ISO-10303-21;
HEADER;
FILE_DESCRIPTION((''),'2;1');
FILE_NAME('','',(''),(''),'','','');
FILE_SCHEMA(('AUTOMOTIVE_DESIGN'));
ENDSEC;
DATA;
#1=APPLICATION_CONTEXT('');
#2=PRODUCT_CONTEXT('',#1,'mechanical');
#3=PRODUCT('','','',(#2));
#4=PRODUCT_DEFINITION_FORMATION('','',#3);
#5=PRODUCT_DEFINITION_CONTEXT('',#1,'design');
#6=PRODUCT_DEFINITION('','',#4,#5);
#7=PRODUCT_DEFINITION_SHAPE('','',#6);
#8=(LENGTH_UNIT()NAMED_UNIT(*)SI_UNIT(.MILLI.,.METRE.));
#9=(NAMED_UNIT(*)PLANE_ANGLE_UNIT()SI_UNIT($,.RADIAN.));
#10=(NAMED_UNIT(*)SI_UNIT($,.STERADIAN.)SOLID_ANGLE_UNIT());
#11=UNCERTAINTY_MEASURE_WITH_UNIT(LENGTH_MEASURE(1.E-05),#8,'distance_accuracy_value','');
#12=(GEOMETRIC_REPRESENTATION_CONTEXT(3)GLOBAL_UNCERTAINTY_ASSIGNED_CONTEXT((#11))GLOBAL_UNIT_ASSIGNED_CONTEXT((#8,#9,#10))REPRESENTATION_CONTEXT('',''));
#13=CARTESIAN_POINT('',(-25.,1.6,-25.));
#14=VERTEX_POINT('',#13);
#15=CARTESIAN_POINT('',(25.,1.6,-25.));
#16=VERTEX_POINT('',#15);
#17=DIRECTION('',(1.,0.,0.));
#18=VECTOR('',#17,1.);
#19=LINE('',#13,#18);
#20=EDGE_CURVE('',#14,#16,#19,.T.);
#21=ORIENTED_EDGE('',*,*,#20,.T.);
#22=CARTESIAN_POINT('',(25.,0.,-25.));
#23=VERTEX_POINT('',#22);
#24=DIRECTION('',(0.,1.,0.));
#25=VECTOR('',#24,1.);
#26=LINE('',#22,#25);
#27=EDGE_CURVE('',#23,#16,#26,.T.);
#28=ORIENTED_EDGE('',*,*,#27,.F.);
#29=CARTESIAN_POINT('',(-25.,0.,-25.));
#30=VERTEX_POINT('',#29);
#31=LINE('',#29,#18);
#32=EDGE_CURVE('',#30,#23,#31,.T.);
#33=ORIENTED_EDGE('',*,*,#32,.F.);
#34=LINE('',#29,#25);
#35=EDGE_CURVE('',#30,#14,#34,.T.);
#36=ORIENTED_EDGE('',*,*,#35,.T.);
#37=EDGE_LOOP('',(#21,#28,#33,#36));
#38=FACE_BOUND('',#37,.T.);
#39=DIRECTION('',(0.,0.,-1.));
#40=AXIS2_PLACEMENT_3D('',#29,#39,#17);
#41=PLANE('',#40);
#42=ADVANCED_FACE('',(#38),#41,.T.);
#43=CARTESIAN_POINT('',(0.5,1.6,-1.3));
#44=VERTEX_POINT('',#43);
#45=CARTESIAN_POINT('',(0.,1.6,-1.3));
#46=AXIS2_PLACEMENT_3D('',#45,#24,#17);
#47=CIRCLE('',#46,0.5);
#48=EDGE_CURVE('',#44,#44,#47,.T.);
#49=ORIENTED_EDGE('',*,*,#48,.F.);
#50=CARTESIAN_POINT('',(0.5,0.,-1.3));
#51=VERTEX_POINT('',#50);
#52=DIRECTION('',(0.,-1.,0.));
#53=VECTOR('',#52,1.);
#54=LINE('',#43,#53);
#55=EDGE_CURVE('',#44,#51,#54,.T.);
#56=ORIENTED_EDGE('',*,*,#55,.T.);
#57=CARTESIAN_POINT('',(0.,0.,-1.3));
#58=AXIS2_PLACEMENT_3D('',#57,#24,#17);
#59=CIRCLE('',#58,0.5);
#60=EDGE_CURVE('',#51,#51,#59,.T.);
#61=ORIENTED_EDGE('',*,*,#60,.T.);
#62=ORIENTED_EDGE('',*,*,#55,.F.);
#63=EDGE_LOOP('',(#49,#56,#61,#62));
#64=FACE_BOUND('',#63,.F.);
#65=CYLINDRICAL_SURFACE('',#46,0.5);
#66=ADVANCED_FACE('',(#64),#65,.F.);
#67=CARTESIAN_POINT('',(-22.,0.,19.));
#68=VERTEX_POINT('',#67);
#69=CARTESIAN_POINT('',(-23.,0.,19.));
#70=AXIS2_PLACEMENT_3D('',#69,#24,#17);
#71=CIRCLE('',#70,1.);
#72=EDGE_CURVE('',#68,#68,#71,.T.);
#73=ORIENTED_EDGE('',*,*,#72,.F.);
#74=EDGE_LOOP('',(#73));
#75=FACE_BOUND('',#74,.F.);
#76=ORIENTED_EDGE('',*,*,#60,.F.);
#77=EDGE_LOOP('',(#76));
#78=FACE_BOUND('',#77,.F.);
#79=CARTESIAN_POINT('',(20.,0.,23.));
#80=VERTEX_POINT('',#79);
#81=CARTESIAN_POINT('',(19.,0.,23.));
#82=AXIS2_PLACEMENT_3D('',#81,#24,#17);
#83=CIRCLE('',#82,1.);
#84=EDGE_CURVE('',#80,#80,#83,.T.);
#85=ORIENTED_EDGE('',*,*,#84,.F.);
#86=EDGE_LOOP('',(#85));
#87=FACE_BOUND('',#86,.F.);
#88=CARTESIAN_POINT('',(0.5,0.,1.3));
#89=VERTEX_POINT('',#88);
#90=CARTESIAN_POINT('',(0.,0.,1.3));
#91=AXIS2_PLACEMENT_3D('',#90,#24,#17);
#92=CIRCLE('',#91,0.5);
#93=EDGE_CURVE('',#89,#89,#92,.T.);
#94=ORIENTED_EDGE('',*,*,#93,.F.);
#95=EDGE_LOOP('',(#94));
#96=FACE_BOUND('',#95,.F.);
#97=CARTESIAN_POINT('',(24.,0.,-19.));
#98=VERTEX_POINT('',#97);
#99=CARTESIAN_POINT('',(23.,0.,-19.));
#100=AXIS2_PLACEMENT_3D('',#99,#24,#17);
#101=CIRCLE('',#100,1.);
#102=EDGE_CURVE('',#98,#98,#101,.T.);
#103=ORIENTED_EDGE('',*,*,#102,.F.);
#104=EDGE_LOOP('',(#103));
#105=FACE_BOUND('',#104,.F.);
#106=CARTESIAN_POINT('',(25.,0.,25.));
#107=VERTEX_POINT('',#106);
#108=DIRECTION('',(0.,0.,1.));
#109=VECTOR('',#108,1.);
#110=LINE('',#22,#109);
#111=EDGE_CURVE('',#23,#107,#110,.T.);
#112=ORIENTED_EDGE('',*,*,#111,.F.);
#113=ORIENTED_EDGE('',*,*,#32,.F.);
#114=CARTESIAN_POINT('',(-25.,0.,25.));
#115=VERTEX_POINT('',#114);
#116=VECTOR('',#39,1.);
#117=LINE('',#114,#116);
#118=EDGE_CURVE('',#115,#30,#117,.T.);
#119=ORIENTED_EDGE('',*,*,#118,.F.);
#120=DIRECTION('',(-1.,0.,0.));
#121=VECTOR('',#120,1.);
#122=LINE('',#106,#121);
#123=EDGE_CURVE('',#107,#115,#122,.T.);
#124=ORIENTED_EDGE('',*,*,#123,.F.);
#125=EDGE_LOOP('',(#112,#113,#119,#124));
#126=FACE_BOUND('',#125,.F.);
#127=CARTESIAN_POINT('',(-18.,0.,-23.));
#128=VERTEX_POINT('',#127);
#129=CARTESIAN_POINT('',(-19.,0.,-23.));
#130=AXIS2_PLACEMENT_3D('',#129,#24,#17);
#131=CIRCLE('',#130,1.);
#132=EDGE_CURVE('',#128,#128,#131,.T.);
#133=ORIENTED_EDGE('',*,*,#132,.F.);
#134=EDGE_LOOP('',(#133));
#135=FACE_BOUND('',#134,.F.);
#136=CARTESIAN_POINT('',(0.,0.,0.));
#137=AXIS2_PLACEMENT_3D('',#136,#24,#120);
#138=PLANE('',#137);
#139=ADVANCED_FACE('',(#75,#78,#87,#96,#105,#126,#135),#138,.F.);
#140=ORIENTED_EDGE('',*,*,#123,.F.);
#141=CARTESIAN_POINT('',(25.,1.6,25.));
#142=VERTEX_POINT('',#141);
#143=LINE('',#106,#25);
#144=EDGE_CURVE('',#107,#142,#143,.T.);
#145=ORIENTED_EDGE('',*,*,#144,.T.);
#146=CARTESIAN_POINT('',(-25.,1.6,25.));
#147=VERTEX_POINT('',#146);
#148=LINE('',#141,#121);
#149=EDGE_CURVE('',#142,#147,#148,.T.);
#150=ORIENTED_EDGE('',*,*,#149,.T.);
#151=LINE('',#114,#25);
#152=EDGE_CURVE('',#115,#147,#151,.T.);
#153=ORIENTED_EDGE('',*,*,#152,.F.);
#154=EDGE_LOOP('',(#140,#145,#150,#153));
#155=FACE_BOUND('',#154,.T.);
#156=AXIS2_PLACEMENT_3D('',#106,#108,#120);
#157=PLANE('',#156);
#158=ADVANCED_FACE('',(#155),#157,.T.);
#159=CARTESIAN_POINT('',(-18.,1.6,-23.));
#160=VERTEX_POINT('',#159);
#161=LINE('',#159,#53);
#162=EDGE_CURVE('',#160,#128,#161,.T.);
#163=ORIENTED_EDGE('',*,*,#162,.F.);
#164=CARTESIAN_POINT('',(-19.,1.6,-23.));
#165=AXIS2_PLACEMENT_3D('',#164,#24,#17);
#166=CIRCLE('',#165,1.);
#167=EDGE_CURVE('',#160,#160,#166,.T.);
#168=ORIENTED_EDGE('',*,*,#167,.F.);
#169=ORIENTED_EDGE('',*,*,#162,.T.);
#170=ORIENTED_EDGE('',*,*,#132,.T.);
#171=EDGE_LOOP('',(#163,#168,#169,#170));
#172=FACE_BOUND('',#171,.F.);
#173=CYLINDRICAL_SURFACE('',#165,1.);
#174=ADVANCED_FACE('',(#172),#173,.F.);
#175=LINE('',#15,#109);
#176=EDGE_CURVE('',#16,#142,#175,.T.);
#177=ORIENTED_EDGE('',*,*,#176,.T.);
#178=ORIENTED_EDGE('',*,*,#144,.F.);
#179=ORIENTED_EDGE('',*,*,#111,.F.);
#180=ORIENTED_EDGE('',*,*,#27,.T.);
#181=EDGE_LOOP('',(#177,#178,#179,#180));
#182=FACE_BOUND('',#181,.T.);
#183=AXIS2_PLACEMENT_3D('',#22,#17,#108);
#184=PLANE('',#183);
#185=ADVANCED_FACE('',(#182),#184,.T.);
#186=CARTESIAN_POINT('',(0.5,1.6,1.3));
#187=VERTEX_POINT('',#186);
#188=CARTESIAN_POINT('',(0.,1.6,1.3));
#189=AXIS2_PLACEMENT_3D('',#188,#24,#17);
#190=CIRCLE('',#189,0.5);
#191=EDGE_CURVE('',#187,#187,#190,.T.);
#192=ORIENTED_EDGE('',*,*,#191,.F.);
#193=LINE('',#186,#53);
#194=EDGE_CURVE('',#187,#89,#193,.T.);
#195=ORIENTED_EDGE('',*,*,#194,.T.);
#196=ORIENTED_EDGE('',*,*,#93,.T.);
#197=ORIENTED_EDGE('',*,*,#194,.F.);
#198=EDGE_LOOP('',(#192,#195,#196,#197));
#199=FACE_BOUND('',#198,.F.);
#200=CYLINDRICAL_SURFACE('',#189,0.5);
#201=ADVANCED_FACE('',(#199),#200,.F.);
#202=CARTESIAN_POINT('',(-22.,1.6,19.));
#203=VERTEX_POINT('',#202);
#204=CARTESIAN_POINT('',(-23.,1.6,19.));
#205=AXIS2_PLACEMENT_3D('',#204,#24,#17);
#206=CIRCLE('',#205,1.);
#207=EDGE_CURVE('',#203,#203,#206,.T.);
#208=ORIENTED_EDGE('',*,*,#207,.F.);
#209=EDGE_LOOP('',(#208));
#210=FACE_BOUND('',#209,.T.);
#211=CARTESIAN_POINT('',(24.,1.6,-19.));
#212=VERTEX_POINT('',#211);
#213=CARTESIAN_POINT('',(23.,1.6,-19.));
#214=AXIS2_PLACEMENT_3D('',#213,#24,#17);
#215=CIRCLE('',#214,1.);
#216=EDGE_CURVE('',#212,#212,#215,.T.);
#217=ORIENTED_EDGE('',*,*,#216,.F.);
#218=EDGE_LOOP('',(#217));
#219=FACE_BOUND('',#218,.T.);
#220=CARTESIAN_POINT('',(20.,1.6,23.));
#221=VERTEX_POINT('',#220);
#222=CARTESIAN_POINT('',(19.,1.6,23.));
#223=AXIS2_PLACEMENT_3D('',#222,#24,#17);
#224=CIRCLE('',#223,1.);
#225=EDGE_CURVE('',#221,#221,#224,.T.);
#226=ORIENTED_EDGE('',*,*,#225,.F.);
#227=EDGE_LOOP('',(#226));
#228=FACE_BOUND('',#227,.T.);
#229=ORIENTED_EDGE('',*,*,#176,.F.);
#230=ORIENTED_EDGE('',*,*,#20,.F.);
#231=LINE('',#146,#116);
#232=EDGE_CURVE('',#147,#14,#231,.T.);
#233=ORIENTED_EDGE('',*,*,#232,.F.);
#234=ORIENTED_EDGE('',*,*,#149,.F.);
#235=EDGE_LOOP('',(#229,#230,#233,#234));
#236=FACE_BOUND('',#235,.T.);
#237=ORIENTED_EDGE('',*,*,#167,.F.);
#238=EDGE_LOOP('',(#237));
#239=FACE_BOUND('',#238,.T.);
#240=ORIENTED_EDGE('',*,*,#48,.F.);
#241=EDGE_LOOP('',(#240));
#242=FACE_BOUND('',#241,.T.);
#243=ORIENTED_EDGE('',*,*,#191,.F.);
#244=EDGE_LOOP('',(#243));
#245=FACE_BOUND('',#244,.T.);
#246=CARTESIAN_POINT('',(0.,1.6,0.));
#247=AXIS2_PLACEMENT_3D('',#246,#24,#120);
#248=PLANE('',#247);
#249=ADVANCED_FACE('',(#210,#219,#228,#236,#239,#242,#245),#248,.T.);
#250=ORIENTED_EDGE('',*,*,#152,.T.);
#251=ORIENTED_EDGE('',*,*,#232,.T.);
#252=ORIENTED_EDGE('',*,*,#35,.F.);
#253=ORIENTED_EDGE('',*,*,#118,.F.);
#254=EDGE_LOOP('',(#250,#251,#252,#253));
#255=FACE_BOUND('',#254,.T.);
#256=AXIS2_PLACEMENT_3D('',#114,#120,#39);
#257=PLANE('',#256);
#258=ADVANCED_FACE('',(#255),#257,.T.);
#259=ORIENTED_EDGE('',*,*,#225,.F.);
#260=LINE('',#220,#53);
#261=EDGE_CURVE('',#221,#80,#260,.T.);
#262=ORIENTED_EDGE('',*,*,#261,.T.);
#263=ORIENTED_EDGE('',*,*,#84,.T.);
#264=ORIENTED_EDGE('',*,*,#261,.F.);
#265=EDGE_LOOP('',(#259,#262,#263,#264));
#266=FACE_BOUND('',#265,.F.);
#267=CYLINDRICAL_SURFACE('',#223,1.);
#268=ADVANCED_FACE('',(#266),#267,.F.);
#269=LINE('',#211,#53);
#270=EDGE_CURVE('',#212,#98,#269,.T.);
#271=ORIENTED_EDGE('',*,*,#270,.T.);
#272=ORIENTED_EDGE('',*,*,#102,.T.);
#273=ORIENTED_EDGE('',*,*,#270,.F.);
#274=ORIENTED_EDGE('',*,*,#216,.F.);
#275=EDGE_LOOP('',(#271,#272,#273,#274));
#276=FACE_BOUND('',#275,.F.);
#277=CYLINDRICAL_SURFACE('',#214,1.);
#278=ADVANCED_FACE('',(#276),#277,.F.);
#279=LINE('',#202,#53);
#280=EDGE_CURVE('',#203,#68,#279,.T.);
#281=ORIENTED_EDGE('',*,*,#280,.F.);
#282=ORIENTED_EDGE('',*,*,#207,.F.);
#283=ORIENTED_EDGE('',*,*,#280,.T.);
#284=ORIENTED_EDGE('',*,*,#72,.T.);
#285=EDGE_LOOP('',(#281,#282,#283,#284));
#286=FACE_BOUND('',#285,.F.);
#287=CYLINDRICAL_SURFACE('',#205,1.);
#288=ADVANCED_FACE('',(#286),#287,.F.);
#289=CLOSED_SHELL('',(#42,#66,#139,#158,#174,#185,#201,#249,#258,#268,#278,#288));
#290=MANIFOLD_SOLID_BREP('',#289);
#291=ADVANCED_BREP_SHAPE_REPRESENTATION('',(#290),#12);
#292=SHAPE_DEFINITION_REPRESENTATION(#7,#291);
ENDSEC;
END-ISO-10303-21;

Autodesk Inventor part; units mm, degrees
ref_plane "YZ Plane" through (0, 0, 0) normal (1, 0, 0) x (0, 1, 0)
ref_plane "XZ Plane" through (0, 0, 0) normal (0, 1, 0) x (-1, 0, 0)
ref_plane "XY Plane" through (0, 0, 0) normal (0, 0, 1) x (1, 0, 0)
sketch "Sketch1" plane through (0, 0, 0) normal (0, 1, 0) x (-1, 0, 0)
  line L0 (-25, 25) -> (25, 25)
  line L1 (25, 25) -> (25, -25)
  line L2 (25, -25) -> (-25, -25)
  line L3 (-25, -25) -> (-25, 25)
  line L4 (-25, 25) -> (25, -25) construction
  line L5 (25, 25) -> (-25, -25) construction
  point P0 (0, 0)
  dimension "d0" = 50
  dimension "d1" = 50
extrude "Extrusion1" add sketch "Sketch1" along normal blind 1.6
sketch "Sketch2" plane through (0, 1.6, 0) normal (0, 1, 0) x (1, 0, 0)
  circle A0 centre (-23, -19) radius 1
  line L0 (-25, 25) -> (-25, -25) projected
  line L1 (-25, -25) -> (25, -25) projected
  circle A1 centre (19, -23) radius 1
  circle A2 centre (23, 19) radius 1
  circle A3 centre (-19, 23) radius 1
  line L2 (25, -25) -> (25, 25) projected
  line L3 (25, 25) -> (-25, 25) projected
  point P0 (0, 0)
  dimension "d4" = 2
  dimension "d5" = 2
  dimension "d6" = 6
  dimension "d7" = 2
  dimension "d8" = 2
  dimension "d9" = 2
  dimension "d10" = 2
  dimension "d11" = 6
  dimension "d12" = 6
  dimension "d13" = 2
  dimension "d14" = 2
  dimension "d15" = 6
extrude "Extrusion2" cut sketch "Sketch2" against normal blind 2 contours A0 | A1 | A2 | A3
sketch "Sketch3" plane through (0, 1.6, 0) normal (0, 1, 0) x (1, 0, 0)
  circle A0 centre (0, 1.3) radius 0.5
  circle A1 centre (0, -1.3) radius 0.5
  point P0 (0, 0)
  dimension "d18" = 1
  dimension "d19" = 1
  dimension "d20" = 1.3
  dimension "d21" = 1.3
extrude "Extrusion3" cut sketch "Sketch3" against normal blind 2
equation "\"d16\" = d14"
properties part number "Solar Panel PCB" material "ABS Plastic"
